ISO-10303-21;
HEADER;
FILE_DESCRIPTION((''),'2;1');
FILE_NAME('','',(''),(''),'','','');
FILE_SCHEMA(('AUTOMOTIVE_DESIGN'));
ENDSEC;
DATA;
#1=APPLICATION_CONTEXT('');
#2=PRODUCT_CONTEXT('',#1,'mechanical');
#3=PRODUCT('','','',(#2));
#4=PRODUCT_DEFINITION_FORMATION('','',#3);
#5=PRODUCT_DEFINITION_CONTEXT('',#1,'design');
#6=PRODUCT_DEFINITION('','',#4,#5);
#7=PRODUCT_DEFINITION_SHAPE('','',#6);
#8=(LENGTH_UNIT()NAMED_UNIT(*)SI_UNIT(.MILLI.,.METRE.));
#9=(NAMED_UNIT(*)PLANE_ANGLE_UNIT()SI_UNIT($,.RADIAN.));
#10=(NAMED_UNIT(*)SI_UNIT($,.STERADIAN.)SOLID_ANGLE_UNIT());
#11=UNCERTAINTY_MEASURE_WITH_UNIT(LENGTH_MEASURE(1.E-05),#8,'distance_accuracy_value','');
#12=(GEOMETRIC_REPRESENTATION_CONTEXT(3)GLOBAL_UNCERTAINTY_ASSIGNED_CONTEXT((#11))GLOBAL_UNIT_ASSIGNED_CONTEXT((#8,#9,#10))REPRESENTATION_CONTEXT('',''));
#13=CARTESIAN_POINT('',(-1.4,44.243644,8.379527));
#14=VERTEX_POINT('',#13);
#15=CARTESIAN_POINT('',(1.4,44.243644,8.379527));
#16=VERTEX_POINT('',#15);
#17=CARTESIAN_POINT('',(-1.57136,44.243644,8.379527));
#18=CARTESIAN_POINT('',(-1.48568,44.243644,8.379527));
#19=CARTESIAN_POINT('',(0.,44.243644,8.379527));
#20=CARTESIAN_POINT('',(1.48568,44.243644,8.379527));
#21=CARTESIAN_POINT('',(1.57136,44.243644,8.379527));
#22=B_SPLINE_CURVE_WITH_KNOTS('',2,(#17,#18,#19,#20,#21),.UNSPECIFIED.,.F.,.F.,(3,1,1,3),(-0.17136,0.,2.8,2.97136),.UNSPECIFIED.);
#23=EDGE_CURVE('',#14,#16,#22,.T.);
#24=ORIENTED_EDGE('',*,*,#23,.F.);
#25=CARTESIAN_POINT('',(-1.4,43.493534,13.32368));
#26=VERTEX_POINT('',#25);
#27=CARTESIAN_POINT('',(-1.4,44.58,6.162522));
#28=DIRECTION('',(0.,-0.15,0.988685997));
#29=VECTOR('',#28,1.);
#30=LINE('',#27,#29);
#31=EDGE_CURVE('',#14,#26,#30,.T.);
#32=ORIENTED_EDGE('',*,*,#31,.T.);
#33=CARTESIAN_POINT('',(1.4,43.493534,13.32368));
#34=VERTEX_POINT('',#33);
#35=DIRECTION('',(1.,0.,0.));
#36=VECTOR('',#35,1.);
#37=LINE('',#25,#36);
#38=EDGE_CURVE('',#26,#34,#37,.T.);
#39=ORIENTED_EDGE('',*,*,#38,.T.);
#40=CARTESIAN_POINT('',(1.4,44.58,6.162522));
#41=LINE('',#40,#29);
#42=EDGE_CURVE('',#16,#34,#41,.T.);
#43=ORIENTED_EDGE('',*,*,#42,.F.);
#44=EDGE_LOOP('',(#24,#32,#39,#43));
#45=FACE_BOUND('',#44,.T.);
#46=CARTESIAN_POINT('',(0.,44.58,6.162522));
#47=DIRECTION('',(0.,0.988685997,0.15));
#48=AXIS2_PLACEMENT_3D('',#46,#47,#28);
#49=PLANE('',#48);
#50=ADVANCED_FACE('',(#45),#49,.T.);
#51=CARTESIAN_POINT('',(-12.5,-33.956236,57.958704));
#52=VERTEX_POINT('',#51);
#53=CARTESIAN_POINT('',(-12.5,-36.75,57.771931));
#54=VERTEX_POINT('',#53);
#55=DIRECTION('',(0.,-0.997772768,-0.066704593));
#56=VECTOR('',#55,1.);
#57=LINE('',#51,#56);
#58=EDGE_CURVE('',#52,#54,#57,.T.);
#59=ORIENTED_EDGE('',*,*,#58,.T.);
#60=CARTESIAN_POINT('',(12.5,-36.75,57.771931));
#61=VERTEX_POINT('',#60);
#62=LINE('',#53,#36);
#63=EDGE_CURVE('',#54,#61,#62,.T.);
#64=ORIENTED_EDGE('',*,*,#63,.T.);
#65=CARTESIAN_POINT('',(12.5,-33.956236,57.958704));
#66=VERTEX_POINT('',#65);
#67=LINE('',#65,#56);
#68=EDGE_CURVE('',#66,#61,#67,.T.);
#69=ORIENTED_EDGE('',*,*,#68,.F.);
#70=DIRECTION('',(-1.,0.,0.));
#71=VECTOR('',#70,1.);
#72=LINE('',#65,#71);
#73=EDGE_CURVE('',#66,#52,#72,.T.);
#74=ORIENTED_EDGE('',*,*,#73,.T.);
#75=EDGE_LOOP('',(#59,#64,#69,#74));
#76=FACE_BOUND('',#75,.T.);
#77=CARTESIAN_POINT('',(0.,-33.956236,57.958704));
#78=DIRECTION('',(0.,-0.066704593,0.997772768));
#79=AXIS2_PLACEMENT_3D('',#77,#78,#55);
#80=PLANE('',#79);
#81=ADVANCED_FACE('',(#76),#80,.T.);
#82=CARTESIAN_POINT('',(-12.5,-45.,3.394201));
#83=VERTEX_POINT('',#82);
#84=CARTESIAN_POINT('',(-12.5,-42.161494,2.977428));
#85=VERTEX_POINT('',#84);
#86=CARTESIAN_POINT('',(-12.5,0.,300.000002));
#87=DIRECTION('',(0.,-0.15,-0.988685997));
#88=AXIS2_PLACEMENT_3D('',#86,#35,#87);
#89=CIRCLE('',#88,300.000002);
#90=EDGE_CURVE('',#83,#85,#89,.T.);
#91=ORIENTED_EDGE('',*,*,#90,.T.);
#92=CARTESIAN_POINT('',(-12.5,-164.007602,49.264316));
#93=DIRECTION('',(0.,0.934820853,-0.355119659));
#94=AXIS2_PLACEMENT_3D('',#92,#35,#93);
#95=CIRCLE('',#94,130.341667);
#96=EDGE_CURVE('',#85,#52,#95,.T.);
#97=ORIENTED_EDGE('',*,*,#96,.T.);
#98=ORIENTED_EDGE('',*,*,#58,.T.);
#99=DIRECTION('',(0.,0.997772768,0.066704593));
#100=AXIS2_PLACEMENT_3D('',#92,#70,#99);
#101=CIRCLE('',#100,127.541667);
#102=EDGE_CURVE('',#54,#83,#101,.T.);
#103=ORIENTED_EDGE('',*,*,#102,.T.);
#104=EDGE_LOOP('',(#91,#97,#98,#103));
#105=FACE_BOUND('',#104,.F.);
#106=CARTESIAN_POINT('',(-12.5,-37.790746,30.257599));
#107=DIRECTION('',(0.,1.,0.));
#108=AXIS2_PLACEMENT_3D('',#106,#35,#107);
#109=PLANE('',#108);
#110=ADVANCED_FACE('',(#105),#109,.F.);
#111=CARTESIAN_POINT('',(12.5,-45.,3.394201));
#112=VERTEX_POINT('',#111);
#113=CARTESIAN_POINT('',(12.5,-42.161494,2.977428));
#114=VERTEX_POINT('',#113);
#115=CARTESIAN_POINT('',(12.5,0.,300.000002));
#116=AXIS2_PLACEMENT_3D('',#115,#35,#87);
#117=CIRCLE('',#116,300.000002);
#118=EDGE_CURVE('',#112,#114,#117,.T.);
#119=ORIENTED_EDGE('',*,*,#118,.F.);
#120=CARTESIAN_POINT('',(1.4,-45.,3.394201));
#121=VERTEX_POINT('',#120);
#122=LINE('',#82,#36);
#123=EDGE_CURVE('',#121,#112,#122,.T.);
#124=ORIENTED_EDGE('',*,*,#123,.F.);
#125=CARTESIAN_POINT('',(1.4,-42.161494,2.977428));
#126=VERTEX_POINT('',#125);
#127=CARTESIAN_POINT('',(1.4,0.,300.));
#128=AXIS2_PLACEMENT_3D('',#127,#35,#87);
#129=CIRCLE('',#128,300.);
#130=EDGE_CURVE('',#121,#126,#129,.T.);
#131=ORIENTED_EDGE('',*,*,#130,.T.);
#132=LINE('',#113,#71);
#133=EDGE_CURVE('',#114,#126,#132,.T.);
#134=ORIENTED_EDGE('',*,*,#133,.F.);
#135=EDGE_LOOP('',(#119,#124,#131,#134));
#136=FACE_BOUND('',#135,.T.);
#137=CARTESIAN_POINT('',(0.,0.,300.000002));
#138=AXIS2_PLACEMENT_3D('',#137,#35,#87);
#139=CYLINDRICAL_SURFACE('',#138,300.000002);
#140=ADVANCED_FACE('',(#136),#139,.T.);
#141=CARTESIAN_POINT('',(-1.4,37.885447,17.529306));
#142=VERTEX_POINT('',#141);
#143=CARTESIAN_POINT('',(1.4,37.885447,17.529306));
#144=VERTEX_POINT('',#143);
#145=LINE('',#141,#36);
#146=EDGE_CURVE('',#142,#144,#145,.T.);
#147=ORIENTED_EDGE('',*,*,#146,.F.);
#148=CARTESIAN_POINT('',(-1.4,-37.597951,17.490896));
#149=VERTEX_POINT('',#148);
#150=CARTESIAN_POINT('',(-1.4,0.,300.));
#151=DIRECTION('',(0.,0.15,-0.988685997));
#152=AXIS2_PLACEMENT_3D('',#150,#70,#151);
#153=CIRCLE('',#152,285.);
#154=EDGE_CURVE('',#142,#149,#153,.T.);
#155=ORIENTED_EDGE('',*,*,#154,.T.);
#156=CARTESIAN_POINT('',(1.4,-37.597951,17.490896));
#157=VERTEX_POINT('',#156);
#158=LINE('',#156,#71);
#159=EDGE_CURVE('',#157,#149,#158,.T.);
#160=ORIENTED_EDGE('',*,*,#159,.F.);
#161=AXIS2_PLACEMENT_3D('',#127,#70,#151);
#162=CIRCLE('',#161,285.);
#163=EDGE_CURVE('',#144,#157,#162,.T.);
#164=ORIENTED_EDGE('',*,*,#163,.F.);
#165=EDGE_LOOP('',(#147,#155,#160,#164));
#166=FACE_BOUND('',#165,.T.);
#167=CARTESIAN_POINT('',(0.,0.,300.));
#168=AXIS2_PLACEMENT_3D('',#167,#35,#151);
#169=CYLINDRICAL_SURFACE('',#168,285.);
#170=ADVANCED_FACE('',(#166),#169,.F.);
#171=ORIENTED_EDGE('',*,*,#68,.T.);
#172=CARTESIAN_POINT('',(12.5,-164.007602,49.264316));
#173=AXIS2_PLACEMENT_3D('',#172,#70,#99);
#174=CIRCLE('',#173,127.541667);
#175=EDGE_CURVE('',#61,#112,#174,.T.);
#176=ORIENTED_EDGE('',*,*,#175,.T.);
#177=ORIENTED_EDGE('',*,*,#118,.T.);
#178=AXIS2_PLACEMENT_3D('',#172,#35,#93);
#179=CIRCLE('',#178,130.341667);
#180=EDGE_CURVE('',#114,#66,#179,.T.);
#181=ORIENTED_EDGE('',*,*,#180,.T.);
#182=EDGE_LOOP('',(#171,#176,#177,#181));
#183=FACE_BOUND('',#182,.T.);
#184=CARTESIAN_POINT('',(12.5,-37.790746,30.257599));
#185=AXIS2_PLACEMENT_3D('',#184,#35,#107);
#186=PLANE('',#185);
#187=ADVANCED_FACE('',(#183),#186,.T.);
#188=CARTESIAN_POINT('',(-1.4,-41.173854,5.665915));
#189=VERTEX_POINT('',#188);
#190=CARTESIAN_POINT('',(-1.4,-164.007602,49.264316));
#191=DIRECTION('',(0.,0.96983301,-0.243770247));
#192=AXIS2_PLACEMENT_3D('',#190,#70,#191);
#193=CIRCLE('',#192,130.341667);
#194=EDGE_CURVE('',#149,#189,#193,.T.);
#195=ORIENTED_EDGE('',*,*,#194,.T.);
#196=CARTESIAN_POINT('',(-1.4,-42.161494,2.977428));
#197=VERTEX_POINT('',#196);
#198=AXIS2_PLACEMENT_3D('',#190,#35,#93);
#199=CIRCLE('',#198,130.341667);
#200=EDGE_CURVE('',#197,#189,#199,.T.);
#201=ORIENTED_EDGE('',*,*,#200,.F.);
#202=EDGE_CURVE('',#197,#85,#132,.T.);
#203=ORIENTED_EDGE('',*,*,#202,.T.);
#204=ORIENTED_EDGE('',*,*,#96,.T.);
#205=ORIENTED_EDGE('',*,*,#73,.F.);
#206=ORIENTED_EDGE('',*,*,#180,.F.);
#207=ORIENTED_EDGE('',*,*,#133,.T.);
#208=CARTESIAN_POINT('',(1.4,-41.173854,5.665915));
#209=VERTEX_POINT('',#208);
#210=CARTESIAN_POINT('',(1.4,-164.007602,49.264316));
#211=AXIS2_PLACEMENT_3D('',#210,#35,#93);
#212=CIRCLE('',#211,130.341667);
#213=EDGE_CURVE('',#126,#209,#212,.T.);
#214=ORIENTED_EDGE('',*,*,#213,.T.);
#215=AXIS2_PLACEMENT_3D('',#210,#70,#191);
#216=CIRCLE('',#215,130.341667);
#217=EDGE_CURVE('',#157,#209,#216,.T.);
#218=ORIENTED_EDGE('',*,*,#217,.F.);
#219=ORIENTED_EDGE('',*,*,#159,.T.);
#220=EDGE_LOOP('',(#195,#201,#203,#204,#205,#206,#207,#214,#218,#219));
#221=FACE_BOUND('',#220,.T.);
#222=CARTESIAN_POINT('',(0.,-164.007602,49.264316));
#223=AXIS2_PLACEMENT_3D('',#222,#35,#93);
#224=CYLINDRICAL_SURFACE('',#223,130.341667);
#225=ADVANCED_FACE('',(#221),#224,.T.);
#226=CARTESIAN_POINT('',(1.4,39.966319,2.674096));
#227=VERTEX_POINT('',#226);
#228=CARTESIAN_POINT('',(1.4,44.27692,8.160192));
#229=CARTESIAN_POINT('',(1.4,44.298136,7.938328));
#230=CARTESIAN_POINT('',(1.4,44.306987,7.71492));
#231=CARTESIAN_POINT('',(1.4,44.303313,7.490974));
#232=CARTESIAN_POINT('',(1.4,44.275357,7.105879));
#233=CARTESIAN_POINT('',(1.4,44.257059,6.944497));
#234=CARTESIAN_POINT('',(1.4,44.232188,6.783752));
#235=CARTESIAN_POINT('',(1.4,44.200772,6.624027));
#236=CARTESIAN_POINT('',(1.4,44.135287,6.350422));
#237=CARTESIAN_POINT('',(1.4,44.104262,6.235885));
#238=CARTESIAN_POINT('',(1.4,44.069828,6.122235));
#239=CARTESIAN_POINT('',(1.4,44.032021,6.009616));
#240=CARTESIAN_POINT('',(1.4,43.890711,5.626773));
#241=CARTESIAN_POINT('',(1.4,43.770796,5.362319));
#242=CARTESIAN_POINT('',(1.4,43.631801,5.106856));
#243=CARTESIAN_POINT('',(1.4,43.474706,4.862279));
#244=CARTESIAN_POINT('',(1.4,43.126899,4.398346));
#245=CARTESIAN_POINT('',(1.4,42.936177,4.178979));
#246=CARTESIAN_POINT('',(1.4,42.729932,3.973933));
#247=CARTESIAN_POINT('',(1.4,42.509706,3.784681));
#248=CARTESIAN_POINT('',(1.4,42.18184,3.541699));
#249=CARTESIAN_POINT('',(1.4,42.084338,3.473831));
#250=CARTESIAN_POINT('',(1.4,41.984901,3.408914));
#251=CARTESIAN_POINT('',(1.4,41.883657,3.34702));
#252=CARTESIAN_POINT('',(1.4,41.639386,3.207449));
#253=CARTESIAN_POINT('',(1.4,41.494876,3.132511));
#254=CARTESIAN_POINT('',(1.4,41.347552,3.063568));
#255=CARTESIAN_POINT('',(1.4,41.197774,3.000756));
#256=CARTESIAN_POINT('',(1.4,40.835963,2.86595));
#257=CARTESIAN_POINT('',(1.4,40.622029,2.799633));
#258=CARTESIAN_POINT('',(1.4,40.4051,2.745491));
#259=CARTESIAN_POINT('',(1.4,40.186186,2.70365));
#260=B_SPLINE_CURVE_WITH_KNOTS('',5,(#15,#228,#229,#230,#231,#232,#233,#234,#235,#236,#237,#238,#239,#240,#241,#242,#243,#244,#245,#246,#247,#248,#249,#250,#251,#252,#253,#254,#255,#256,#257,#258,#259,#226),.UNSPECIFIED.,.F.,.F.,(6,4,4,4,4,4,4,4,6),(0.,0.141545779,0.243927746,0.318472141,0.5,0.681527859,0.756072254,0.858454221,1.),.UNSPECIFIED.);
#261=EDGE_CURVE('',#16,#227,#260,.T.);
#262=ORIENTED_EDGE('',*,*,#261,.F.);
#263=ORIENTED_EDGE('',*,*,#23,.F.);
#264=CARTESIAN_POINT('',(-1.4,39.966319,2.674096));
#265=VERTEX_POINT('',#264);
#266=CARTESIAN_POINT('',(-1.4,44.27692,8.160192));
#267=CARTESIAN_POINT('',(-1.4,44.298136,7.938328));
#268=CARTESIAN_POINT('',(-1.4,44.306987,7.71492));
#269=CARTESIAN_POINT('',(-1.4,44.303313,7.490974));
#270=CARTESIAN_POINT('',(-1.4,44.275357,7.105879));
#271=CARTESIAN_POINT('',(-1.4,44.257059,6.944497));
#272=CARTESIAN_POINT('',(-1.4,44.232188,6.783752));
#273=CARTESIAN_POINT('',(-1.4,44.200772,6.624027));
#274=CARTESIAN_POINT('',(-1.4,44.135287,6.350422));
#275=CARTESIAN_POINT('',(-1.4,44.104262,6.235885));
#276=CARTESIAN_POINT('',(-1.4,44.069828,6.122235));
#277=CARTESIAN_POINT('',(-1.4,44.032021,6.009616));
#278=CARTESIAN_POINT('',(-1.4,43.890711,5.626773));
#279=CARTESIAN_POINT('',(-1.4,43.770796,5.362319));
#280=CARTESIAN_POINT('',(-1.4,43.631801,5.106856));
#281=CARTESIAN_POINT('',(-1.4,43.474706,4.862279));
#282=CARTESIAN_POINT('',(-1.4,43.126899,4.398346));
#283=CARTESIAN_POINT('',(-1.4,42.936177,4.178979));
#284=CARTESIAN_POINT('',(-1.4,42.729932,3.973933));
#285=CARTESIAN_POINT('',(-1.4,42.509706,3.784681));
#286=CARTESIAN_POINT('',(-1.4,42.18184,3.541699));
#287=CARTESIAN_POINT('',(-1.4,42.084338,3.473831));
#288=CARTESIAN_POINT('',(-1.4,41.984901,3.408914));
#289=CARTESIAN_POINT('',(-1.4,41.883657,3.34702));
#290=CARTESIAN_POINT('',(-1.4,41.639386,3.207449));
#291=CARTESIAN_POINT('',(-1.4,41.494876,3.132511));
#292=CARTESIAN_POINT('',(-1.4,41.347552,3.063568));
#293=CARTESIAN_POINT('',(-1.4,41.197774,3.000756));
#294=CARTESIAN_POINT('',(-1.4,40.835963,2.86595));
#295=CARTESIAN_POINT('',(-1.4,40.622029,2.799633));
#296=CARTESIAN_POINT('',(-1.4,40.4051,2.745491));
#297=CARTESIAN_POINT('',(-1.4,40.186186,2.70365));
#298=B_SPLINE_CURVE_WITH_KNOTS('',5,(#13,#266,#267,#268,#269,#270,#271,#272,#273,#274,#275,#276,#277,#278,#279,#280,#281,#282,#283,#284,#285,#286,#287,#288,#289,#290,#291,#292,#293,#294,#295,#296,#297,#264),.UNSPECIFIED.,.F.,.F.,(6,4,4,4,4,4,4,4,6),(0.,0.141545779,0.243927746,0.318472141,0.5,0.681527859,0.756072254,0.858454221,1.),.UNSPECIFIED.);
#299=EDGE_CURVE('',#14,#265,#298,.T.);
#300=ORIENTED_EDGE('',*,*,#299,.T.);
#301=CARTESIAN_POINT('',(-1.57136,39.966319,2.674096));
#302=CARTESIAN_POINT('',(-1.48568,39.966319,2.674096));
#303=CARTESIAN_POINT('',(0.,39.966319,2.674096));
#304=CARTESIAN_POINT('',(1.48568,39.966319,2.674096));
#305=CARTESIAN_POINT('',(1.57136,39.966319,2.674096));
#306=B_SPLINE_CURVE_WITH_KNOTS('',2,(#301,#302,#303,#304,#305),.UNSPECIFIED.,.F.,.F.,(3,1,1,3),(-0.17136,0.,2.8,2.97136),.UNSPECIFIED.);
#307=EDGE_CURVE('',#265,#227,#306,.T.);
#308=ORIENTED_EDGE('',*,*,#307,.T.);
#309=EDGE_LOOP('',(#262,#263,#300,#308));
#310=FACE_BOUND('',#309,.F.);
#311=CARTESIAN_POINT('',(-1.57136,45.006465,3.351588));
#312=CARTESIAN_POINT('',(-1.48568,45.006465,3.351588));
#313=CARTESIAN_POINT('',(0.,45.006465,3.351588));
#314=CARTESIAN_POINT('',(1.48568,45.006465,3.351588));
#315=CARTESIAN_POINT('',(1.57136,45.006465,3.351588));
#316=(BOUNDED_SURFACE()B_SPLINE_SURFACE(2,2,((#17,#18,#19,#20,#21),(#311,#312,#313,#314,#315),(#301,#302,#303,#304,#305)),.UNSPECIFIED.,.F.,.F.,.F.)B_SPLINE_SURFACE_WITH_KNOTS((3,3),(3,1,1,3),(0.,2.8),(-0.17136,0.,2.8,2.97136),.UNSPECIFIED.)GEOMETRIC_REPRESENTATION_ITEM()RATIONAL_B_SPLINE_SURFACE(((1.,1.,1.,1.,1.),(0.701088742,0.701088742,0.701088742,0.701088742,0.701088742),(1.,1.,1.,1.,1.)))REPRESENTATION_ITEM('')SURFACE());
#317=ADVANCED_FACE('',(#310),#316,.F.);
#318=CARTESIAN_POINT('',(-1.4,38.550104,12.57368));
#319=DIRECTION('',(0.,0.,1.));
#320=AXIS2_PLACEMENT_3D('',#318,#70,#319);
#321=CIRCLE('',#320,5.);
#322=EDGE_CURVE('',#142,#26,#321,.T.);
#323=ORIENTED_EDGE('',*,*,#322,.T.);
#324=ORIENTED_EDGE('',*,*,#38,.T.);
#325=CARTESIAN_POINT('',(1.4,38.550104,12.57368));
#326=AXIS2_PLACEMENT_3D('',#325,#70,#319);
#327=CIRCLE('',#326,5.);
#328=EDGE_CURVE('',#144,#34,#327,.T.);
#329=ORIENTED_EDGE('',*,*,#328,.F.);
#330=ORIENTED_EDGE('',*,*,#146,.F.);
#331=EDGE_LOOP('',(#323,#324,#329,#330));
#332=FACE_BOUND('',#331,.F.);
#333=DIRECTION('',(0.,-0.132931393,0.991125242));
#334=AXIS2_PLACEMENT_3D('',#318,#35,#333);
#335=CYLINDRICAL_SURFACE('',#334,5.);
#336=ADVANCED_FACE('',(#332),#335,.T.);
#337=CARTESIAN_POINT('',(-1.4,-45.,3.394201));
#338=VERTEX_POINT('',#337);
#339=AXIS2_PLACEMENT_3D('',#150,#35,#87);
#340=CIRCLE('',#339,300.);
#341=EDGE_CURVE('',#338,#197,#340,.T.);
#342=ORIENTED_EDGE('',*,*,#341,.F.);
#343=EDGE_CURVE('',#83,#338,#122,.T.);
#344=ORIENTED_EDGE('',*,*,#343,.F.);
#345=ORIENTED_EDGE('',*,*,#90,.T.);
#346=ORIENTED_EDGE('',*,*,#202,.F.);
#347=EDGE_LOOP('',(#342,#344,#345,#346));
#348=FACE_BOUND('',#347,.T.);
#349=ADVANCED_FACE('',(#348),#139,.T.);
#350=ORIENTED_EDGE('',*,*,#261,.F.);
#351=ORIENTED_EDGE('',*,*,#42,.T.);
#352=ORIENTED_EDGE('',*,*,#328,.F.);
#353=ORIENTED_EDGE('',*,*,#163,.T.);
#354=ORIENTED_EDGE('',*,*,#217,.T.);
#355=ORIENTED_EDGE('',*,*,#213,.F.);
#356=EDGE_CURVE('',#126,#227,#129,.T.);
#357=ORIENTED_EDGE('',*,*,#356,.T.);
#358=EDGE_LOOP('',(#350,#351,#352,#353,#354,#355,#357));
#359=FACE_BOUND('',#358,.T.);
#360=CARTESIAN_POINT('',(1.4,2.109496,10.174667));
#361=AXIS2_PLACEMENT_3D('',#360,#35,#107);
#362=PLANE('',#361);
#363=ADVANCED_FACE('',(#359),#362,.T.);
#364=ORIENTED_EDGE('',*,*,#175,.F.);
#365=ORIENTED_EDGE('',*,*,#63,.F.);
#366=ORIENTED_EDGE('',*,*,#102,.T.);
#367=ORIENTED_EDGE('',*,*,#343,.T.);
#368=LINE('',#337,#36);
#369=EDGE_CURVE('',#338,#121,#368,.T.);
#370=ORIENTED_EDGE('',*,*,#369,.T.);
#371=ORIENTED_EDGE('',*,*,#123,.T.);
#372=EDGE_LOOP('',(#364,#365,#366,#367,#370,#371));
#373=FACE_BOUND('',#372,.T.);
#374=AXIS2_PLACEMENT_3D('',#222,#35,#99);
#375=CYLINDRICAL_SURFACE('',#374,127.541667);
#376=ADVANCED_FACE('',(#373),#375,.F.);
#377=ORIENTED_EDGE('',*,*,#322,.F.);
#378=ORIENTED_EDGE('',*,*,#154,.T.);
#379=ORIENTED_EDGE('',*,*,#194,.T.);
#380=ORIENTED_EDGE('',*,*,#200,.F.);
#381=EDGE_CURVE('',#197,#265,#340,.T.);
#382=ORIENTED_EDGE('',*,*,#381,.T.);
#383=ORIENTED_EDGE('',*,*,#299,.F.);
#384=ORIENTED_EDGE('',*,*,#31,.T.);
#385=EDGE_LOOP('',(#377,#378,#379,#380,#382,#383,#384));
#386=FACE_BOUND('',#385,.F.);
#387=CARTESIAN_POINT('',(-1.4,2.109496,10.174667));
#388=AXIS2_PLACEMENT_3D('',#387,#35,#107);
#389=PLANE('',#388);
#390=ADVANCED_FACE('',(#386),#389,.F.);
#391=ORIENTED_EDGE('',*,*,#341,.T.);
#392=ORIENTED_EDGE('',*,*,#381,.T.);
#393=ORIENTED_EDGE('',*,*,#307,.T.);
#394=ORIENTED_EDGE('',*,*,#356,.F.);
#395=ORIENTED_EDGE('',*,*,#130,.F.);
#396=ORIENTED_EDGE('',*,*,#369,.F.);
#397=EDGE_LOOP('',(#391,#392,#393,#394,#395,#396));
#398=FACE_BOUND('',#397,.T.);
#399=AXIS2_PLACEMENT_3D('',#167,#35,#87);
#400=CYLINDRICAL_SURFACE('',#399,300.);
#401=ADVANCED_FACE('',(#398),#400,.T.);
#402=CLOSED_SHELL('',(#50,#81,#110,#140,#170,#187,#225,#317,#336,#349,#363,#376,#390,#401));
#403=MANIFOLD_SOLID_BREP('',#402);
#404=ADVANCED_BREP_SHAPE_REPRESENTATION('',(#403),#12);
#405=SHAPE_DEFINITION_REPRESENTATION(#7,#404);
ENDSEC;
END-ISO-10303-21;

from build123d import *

# Parameters (mm, degrees)
F1_DEPTH = 1.4
F3_DEPTH = 12.5
F5_DEPTH = 1.4
F6_R     = 5


with BuildPart() as f1:
    # F0 (on Right) → F1 (new body, symmetric)
    with BuildSketch(Plane.YZ):
        with BuildLine():
            ThreePointArc((-36.75, 57.7719308173), (-37.90894201, 30.133065909), (-45, 3.3942010007))
            ThreePointArc((-45, 3.3942010007), (0, 0), (45, 3.3942010007))
            Line((45, 3.3942010007), (44.58, 6.1625217914))
            ThreePointArc((44.58, 6.1625217914), (1.7210785748, 2.8049834056), (-41.1738544742, 5.6659148047))
            ThreePointArc((-41.1738544742, 5.6659148047), (-34.8900041591, 31.4430914851), (-33.9562362485, 57.9587036764))
            Line((-33.9562362485, 57.9587036764), (-36.75, 57.7719308173))
        make_face()
    extrude(amount=F1_DEPTH, both=True)

    # F2 (on Right) → F3 (join, symmetric)
    with BuildSketch(Plane.YZ):
        with BuildLine():
            Line((-33.9562362485, 57.9587036764), (-36.75, 57.7719308173))
            ThreePointArc((-36.75, 57.7719308173), (-37.90894201, 30.133065909), (-45, 3.3942010007))
            ThreePointArc((-45, 3.3942010007), (-43.5812450935, 3.1824212145), (-42.1614937667, 2.9774277208))
            ThreePointArc((-42.1614937667, 2.9774277208), (-35.0936014904, 30.0255377589), (-33.9562362485, 57.9587036764))
        make_face()
    extrude(amount=F3_DEPTH, both=True)

    # F4 (on Right) → F5 (join, symmetric)
    with BuildSketch(Plane.YZ):
        with BuildLine():
            ThreePointArc((-41.1738544742, 5.6659148047), (1.7210785748, 2.8049834056), (44.58, 6.1625217914))
            Line((44.58, 6.1625217914), (42.75, 18.2244909507))
            ThreePointArc((42.75, 18.2244909507), (2.6020074608, 15.0118782174), (-37.5979509775, 17.4908955763))
            ThreePointArc((-37.5979509775, 17.4908955763), (-39.2457269236, 11.5360156804), (-41.1738544742, 5.6659148047))
        make_face()
    extrude(amount=F5_DEPTH, both=True)

    # F6
    f6_edges = [f1.edges().sort_by_distance(p)[0] for p in [
        (0, 42.75, 18.224491),
        (0, 45, 3.394201),
    ]]
    fillet(f6_edges, radius=F6_R)


solid = f1.part
